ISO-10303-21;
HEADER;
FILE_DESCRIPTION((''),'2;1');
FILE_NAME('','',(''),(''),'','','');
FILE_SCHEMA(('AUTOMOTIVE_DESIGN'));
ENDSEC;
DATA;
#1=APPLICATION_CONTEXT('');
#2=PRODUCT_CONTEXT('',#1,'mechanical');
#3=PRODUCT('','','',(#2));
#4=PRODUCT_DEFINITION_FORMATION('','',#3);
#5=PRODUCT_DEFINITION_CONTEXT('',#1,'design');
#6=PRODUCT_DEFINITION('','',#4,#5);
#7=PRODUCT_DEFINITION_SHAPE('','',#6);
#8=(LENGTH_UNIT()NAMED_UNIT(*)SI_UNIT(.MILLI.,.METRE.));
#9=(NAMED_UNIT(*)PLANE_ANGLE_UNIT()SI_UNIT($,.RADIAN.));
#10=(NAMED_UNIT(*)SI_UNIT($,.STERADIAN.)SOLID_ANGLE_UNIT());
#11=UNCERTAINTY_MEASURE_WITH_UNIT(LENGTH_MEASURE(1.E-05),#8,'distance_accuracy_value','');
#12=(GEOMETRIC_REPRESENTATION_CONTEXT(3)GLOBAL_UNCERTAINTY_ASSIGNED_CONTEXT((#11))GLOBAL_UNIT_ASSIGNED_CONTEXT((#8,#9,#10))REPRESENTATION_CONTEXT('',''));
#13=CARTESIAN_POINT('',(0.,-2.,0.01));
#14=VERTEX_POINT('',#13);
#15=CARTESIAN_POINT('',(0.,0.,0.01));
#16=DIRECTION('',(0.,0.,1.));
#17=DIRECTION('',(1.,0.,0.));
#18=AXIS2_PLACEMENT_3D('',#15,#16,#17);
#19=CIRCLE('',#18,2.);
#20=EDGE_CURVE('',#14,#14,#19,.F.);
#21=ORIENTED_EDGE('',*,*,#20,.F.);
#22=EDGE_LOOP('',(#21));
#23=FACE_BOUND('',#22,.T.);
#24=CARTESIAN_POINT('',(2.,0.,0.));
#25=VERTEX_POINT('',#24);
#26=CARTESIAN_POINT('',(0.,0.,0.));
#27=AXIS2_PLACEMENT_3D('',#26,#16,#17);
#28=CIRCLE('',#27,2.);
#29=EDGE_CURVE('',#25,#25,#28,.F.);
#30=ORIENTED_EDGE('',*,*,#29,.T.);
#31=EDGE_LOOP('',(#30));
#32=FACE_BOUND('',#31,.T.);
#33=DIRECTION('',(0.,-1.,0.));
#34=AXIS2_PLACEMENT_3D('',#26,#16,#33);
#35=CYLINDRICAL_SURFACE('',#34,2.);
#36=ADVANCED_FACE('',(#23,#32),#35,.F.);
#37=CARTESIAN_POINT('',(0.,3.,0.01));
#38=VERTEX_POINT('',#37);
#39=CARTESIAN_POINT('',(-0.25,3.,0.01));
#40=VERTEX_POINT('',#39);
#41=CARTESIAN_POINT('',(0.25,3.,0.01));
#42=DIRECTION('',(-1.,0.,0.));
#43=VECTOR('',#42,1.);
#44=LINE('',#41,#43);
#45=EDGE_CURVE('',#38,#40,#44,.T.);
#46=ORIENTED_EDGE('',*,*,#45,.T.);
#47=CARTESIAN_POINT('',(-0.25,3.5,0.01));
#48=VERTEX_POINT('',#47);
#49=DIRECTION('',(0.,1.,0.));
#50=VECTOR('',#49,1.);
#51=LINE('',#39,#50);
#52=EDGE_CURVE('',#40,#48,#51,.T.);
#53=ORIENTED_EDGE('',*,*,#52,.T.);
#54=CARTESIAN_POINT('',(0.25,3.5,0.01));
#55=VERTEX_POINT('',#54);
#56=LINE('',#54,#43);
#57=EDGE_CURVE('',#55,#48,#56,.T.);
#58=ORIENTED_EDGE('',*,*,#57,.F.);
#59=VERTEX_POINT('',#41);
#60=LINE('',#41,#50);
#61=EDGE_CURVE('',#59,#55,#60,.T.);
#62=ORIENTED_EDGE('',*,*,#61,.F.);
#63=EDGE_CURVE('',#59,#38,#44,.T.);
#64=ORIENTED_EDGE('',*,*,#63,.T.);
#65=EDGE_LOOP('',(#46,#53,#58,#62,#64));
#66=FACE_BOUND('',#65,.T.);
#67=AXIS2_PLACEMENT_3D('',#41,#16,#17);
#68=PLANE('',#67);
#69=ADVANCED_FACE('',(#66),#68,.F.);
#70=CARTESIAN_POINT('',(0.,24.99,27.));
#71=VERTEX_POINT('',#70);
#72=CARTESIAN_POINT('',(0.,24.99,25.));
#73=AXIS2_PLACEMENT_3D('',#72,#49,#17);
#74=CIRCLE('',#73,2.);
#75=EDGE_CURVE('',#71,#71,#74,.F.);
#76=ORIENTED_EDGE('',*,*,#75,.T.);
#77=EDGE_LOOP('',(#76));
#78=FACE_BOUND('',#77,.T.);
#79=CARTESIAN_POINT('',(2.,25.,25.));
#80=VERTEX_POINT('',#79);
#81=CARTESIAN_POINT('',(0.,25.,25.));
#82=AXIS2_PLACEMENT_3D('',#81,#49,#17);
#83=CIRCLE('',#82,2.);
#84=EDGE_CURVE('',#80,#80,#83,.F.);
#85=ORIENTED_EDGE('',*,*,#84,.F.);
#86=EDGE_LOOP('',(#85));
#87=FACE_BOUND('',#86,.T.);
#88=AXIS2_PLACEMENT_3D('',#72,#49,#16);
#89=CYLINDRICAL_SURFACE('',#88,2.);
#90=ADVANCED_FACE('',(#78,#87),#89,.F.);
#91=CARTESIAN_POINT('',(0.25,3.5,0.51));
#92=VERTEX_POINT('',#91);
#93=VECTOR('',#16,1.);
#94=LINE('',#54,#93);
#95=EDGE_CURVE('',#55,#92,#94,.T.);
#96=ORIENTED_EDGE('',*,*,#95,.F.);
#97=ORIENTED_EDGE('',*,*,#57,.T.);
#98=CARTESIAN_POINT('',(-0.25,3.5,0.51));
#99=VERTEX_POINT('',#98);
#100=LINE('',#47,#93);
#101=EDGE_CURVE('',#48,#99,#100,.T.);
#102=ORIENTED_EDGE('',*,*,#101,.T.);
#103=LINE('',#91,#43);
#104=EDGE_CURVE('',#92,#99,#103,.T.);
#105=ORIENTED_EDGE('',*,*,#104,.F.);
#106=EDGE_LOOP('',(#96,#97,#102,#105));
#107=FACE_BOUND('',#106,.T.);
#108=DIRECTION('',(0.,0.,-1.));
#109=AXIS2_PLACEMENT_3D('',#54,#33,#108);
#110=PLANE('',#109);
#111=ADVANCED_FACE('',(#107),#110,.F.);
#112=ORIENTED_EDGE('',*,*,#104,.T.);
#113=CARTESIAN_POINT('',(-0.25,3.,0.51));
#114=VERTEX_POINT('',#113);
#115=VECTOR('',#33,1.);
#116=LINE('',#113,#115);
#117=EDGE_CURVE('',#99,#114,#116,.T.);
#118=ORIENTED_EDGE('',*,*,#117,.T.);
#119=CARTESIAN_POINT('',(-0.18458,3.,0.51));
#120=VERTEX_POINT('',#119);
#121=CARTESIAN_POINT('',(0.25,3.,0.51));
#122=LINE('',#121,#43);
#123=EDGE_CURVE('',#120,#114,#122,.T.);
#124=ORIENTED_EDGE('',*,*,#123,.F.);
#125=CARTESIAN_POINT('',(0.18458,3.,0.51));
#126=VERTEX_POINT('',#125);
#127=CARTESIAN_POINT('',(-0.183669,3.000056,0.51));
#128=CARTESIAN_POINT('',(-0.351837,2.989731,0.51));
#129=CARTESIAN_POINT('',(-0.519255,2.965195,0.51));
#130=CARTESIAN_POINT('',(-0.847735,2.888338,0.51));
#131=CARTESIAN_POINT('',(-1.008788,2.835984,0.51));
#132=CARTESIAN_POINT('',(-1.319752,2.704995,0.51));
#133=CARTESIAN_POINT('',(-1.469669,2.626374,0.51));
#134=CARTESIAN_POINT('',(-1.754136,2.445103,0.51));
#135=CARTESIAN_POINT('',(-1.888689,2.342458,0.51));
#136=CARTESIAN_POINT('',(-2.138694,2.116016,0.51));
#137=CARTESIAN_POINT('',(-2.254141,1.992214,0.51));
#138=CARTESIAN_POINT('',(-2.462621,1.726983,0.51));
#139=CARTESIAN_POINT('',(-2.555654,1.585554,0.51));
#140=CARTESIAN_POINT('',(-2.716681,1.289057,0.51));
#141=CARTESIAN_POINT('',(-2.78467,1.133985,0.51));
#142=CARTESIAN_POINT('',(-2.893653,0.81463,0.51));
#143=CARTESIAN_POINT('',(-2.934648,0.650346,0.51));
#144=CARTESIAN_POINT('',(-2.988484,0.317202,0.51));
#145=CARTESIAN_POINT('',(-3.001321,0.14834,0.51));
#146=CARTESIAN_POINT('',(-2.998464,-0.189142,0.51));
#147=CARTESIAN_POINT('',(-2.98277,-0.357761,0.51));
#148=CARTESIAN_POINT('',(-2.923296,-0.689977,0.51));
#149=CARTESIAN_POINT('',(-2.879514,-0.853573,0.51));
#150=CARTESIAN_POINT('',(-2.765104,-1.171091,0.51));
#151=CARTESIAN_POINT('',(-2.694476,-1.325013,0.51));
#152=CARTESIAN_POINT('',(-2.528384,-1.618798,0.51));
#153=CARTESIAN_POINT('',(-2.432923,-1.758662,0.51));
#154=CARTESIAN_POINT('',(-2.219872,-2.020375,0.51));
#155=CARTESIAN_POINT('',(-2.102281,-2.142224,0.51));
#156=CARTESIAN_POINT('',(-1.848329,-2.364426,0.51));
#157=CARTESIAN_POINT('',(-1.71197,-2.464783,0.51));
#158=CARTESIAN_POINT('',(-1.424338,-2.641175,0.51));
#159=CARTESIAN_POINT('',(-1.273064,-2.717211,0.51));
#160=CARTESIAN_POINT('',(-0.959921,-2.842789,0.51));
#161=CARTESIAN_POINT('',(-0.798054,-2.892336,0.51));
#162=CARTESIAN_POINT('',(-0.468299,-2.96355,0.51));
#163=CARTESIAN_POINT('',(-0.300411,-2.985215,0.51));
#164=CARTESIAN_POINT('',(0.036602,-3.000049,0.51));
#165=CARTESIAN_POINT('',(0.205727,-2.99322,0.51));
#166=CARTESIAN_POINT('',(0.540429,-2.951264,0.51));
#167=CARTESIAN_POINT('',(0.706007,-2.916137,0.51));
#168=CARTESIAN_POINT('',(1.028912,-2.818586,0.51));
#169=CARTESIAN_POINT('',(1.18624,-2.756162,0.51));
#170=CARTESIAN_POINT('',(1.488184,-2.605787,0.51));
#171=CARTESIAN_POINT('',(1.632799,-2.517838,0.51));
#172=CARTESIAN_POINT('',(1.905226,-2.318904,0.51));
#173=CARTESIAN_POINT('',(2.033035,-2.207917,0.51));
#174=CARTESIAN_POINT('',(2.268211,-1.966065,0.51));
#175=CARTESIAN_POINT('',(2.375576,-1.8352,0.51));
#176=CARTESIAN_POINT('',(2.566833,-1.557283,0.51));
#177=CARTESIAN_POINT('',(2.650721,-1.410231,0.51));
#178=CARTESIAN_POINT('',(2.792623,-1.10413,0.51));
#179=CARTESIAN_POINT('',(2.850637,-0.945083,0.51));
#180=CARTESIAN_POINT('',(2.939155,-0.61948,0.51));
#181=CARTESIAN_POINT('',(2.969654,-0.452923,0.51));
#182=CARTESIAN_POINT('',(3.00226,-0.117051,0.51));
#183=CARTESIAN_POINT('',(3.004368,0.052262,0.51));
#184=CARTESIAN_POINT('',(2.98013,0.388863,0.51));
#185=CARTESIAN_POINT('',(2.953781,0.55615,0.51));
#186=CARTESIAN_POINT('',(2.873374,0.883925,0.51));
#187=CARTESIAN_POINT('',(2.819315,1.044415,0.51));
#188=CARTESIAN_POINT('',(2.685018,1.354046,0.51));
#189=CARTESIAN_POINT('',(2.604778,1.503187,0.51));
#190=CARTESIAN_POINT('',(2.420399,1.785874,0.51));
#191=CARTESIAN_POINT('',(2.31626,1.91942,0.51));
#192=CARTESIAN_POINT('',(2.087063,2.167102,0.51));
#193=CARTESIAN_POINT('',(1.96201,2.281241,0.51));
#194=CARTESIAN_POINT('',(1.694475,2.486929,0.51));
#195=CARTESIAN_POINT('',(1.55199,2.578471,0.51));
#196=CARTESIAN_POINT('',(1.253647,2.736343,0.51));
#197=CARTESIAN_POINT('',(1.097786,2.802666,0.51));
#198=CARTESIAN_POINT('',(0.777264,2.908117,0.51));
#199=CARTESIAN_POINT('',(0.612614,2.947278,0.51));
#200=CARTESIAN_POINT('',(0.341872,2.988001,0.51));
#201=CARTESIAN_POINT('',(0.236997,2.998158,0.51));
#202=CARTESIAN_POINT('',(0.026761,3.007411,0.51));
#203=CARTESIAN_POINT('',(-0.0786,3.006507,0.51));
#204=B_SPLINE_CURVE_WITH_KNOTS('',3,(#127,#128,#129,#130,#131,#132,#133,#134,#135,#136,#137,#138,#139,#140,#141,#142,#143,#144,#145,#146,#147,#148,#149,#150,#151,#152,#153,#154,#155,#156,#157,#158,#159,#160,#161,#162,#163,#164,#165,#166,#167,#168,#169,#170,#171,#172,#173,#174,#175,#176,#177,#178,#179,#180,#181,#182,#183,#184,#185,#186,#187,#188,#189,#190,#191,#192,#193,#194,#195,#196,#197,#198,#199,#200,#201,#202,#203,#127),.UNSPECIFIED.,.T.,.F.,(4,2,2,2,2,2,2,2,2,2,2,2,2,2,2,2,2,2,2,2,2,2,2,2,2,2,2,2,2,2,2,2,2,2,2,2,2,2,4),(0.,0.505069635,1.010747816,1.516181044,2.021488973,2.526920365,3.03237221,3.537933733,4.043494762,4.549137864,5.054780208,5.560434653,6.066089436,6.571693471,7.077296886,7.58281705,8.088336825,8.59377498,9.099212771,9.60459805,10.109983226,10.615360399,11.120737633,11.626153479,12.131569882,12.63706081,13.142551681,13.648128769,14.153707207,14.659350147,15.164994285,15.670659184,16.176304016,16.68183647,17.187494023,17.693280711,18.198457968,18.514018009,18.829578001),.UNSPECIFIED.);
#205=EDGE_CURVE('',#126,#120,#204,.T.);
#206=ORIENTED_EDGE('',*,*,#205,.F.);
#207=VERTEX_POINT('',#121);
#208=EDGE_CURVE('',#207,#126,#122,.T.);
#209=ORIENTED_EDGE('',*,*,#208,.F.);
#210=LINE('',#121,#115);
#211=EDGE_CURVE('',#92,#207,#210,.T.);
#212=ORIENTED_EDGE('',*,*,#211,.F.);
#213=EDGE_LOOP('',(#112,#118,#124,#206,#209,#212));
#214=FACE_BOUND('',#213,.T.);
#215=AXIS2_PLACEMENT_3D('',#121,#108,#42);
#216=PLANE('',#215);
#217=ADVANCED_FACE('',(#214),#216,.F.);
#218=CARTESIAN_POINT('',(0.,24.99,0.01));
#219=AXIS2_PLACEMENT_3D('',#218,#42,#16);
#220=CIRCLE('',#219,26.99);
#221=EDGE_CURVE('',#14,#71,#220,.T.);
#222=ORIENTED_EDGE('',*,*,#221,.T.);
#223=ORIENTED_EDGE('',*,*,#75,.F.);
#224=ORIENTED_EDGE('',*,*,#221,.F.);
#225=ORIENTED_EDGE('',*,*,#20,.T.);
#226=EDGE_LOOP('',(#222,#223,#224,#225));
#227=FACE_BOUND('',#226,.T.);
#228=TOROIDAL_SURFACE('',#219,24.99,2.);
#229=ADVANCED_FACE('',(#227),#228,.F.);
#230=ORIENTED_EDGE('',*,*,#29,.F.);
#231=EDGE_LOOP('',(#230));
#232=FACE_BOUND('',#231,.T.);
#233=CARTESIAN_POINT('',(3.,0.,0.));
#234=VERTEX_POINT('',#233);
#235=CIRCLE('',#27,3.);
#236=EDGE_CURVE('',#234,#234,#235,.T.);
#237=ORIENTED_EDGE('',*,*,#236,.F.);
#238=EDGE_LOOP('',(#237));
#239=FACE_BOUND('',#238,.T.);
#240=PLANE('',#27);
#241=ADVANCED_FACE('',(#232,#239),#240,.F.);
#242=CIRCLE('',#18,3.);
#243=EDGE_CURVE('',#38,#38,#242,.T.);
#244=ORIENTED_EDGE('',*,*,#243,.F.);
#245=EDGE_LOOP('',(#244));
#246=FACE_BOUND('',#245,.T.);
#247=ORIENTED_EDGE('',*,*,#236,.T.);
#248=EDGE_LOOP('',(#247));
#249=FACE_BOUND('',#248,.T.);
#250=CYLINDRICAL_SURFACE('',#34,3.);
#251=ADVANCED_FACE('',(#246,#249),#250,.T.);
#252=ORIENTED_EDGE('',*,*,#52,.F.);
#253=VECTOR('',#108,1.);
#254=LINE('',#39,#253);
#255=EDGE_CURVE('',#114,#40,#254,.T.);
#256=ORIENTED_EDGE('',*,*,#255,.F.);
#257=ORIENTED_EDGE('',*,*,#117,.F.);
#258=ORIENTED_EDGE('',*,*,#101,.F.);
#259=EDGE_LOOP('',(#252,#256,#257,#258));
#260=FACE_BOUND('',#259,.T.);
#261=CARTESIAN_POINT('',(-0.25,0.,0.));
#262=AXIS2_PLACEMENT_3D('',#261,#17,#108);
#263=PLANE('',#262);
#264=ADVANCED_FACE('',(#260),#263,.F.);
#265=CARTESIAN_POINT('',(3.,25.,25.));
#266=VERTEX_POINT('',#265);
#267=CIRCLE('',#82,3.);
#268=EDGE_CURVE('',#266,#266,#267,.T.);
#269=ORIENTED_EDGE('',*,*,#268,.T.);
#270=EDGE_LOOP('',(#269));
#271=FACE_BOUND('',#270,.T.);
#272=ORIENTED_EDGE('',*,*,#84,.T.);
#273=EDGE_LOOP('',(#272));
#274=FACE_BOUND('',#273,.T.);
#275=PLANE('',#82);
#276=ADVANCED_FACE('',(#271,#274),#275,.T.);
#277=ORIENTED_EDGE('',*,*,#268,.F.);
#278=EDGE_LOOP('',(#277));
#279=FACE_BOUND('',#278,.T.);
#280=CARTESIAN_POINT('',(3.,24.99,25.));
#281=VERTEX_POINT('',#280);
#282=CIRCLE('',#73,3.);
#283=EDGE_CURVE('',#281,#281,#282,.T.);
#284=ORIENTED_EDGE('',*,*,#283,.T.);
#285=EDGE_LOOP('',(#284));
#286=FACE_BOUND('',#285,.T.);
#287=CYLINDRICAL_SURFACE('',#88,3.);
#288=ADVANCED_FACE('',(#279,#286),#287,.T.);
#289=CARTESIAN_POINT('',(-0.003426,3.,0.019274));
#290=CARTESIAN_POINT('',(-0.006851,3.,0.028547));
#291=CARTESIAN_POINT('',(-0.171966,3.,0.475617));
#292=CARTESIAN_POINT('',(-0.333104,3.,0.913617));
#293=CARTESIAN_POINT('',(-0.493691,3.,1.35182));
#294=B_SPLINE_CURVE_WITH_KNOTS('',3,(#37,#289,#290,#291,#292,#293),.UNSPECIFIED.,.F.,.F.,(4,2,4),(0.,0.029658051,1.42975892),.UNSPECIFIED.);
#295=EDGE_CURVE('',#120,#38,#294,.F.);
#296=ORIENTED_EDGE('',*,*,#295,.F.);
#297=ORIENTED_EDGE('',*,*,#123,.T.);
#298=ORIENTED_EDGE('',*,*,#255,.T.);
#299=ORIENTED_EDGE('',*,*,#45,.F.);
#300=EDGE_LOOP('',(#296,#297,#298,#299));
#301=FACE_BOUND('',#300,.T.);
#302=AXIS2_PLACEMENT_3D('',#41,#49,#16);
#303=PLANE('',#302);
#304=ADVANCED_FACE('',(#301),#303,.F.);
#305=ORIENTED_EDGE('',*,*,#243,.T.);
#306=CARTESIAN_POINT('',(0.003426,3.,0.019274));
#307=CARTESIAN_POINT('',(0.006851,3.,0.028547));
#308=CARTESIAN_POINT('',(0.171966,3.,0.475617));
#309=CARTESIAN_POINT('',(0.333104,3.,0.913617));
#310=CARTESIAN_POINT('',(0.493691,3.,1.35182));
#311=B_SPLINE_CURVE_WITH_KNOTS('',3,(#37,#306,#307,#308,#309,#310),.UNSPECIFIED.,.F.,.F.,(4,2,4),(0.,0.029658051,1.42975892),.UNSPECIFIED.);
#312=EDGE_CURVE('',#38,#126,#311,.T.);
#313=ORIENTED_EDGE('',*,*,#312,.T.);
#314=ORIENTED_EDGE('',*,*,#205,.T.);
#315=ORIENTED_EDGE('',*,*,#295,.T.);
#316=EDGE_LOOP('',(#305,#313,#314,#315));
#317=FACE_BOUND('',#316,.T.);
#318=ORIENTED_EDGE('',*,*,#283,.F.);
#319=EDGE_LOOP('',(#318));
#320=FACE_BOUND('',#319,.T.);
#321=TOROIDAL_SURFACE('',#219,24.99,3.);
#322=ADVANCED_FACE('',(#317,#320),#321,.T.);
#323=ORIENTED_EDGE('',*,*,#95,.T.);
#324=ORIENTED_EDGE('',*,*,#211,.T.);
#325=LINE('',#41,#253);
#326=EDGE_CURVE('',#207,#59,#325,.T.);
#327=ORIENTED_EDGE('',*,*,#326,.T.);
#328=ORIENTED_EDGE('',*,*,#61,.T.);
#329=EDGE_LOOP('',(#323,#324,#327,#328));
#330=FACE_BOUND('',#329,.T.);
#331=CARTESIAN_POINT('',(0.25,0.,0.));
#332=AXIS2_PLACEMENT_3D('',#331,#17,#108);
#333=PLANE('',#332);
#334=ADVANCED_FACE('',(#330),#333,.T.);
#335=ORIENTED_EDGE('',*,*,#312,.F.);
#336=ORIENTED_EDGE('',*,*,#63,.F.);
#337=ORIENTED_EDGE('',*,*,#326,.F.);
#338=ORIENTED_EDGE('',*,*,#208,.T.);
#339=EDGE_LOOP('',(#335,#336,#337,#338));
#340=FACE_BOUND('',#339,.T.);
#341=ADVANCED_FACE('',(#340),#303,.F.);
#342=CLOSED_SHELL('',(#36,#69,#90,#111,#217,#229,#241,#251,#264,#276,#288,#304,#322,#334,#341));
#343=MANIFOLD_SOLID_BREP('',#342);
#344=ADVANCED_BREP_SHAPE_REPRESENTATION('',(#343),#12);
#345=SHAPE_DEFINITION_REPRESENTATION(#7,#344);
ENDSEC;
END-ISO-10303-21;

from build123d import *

# Parameters (mm, degrees)
SKETCH1_R           = 3
SKETCH1_R_2         = 2
SKETCH3_W           = 0.5
SKETCH3_H           = 0.5
BOSS_EXTRUDE1_DEPTH = 0.25


with BuildPart() as part:
    # Sweep1: sweep along a path in Sketch2
    with BuildLine(Plane(origin=(0, 0, 0), x_dir=(0, 0, -1), z_dir=(1, 0, 0))) as sweep1_path:
        Line((0, 0), (-0.01, 0))
        ThreePointArc((-0.01, 0), (-17.680598462, 7.319401538), (-25, 24.99))
        Line((-25, 24.99), (-25, 25))
    # Sketch1 → Sweep1 (sweep)
    with BuildSketch(Plane.XY):
        Circle(SKETCH1_R)
        Circle(SKETCH1_R_2, mode=Mode.SUBTRACT)
    sweep(path=sweep1_path.line)

    # Sketch3 → Boss-Extrude1 (add, symmetric)
    with BuildSketch(Plane(origin=(0, 0, 0), x_dir=(0, 0, -1), z_dir=(1, 0, 0))):
        with Locations((-0.26, 3.25)):
            Rectangle(SKETCH3_W, SKETCH3_H)
    extrude(amount=BOSS_EXTRUDE1_DEPTH, both=True)


solid = part.part
